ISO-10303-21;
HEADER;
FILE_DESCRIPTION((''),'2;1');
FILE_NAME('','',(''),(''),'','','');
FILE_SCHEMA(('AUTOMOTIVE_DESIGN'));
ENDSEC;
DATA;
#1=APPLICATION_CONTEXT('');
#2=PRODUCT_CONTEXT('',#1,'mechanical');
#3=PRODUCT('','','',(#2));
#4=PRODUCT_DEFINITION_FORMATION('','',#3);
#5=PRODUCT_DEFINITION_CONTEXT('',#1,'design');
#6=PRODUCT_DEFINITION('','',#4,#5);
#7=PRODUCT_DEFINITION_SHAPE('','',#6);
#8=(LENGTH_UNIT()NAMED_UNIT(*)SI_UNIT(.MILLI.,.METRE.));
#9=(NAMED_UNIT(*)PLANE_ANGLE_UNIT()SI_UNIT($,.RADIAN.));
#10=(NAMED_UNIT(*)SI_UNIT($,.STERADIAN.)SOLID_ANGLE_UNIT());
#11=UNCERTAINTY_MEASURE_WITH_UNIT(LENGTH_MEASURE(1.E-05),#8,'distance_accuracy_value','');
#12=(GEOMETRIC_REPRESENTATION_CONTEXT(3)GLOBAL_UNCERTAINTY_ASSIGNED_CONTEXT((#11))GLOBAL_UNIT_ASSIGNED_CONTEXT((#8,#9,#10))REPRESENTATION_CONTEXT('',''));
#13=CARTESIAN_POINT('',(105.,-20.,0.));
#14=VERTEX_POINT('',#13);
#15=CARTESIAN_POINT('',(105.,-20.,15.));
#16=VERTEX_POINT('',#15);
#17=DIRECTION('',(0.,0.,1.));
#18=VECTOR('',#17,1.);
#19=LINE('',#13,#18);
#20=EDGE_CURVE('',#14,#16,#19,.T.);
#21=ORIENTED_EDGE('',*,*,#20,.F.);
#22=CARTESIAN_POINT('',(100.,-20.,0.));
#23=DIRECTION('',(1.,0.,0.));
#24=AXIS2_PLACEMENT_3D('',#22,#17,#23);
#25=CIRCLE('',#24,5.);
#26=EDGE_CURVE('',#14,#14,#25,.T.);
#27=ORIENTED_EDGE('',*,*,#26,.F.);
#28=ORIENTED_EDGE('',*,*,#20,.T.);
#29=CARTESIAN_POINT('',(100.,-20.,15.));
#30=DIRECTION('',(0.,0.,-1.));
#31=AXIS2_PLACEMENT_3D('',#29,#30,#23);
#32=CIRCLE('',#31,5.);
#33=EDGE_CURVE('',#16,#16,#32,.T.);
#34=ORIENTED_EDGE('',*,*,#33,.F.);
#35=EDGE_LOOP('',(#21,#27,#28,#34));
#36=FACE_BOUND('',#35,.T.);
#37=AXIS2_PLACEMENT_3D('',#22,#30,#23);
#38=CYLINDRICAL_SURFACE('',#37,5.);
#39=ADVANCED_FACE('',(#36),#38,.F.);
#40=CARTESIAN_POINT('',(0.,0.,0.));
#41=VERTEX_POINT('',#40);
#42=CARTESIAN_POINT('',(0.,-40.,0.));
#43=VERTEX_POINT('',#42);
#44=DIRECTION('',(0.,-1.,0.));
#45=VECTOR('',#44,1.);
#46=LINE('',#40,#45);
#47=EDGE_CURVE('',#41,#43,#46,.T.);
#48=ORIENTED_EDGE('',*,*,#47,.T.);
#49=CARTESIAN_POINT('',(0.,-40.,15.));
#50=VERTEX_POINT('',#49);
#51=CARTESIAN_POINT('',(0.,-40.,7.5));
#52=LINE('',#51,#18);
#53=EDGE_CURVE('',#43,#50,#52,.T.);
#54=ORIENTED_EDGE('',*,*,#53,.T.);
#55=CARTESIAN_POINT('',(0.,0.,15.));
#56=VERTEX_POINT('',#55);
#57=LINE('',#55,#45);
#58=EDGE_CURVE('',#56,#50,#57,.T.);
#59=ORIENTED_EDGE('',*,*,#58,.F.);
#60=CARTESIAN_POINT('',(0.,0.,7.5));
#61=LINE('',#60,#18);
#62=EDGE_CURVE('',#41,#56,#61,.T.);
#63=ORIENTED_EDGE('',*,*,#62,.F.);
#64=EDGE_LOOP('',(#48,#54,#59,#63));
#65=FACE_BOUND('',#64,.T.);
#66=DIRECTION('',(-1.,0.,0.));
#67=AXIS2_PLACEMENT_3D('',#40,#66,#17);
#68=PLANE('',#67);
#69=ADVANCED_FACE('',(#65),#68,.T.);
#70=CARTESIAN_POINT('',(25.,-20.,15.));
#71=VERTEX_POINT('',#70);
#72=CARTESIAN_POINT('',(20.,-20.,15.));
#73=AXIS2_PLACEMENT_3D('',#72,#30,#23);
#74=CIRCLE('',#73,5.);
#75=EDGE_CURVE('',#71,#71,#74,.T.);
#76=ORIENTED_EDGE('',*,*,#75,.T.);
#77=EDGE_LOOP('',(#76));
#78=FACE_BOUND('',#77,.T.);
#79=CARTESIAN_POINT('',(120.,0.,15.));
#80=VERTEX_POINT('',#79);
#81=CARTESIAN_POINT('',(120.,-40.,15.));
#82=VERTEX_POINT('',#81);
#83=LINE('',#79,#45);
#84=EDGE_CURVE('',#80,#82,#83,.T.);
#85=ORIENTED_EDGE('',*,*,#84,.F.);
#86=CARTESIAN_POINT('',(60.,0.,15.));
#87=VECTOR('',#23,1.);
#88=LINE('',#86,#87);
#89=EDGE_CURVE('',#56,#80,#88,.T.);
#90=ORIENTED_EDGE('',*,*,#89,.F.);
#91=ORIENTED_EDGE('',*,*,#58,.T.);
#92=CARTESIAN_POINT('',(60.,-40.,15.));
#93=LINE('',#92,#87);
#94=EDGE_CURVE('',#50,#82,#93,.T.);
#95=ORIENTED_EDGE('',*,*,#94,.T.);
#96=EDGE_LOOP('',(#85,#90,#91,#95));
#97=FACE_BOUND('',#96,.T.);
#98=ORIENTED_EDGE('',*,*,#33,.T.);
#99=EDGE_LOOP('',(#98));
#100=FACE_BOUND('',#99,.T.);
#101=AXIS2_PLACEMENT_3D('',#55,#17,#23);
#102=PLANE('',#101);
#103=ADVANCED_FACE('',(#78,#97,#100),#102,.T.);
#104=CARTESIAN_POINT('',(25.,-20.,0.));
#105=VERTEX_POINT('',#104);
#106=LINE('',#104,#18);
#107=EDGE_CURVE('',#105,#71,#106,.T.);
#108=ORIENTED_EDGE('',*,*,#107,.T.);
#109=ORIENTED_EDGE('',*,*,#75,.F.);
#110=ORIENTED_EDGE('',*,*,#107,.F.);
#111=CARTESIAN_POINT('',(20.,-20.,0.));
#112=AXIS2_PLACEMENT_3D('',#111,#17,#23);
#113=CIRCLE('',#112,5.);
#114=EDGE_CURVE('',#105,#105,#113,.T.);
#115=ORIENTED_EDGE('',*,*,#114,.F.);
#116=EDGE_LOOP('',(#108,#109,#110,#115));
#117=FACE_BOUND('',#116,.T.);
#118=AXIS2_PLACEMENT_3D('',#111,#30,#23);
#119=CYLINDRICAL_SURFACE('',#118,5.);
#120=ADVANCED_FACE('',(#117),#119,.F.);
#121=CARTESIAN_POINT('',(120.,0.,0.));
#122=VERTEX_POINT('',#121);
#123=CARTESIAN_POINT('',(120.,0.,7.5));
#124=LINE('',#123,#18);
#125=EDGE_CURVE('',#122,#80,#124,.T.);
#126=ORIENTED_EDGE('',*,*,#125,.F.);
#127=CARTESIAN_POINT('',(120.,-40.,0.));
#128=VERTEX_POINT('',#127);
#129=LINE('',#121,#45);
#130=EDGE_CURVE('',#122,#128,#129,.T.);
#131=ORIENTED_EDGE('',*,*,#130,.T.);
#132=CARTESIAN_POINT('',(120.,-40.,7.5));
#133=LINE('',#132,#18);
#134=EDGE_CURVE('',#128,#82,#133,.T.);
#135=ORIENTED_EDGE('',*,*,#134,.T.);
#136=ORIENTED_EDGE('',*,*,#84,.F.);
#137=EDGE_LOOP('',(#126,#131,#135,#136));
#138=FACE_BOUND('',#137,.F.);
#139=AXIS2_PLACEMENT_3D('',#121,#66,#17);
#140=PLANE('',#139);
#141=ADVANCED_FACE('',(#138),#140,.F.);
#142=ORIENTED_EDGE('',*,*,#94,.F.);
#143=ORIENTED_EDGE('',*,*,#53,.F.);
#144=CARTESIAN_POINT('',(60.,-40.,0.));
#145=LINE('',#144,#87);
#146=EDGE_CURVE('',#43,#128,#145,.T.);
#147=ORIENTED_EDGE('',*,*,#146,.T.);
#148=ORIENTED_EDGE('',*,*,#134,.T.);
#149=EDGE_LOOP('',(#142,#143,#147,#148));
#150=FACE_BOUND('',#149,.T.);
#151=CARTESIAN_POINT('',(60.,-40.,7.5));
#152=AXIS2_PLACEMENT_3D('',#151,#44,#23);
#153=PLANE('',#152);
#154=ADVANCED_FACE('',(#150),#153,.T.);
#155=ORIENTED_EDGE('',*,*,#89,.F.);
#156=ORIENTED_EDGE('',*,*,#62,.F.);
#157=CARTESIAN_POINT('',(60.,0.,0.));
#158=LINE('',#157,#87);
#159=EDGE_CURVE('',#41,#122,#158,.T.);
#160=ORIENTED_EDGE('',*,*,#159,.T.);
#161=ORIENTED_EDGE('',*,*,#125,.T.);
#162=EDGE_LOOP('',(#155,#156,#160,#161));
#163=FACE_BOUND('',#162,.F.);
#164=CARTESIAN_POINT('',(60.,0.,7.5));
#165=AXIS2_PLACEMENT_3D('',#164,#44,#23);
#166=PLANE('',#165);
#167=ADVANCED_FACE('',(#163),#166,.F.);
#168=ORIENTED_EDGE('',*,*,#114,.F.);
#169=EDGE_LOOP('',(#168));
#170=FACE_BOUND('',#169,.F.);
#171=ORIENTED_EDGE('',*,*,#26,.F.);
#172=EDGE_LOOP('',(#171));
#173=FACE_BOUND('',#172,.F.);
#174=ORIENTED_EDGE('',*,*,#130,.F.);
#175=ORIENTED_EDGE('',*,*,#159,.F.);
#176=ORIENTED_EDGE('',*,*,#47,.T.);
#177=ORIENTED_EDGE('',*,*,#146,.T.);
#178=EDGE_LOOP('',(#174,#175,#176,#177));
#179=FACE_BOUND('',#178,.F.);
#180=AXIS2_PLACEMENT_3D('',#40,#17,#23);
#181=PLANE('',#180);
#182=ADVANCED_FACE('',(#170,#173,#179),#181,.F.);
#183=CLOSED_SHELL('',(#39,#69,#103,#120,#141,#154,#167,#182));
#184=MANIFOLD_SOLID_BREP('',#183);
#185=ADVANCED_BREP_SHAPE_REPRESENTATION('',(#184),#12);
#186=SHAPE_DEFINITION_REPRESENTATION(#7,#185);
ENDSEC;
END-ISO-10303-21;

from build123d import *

# Parameters (mm, degrees)
F0_W     = 120
F0_H     = 15
F1_DEPTH = 40
F2_R     = 5
F3_DEPTH = 15.001


with BuildPart() as f1:
    # F0 (on Front) → F1 (new body)
    with BuildSketch(Plane.XZ):
        with Locations((60, 7.5)):
            Rectangle(F0_W, F0_H)
    extrude(amount=F1_DEPTH)

    # F2 (on Top) → F3 (cut, through all)
    with BuildSketch(Plane.XY):
        with Locations((20, -20)):
            Circle(F2_R)
        with Locations((100, -20)):
            Circle(F2_R)
    extrude(amount=F3_DEPTH, mode=Mode.SUBTRACT)


solid = f1.part
